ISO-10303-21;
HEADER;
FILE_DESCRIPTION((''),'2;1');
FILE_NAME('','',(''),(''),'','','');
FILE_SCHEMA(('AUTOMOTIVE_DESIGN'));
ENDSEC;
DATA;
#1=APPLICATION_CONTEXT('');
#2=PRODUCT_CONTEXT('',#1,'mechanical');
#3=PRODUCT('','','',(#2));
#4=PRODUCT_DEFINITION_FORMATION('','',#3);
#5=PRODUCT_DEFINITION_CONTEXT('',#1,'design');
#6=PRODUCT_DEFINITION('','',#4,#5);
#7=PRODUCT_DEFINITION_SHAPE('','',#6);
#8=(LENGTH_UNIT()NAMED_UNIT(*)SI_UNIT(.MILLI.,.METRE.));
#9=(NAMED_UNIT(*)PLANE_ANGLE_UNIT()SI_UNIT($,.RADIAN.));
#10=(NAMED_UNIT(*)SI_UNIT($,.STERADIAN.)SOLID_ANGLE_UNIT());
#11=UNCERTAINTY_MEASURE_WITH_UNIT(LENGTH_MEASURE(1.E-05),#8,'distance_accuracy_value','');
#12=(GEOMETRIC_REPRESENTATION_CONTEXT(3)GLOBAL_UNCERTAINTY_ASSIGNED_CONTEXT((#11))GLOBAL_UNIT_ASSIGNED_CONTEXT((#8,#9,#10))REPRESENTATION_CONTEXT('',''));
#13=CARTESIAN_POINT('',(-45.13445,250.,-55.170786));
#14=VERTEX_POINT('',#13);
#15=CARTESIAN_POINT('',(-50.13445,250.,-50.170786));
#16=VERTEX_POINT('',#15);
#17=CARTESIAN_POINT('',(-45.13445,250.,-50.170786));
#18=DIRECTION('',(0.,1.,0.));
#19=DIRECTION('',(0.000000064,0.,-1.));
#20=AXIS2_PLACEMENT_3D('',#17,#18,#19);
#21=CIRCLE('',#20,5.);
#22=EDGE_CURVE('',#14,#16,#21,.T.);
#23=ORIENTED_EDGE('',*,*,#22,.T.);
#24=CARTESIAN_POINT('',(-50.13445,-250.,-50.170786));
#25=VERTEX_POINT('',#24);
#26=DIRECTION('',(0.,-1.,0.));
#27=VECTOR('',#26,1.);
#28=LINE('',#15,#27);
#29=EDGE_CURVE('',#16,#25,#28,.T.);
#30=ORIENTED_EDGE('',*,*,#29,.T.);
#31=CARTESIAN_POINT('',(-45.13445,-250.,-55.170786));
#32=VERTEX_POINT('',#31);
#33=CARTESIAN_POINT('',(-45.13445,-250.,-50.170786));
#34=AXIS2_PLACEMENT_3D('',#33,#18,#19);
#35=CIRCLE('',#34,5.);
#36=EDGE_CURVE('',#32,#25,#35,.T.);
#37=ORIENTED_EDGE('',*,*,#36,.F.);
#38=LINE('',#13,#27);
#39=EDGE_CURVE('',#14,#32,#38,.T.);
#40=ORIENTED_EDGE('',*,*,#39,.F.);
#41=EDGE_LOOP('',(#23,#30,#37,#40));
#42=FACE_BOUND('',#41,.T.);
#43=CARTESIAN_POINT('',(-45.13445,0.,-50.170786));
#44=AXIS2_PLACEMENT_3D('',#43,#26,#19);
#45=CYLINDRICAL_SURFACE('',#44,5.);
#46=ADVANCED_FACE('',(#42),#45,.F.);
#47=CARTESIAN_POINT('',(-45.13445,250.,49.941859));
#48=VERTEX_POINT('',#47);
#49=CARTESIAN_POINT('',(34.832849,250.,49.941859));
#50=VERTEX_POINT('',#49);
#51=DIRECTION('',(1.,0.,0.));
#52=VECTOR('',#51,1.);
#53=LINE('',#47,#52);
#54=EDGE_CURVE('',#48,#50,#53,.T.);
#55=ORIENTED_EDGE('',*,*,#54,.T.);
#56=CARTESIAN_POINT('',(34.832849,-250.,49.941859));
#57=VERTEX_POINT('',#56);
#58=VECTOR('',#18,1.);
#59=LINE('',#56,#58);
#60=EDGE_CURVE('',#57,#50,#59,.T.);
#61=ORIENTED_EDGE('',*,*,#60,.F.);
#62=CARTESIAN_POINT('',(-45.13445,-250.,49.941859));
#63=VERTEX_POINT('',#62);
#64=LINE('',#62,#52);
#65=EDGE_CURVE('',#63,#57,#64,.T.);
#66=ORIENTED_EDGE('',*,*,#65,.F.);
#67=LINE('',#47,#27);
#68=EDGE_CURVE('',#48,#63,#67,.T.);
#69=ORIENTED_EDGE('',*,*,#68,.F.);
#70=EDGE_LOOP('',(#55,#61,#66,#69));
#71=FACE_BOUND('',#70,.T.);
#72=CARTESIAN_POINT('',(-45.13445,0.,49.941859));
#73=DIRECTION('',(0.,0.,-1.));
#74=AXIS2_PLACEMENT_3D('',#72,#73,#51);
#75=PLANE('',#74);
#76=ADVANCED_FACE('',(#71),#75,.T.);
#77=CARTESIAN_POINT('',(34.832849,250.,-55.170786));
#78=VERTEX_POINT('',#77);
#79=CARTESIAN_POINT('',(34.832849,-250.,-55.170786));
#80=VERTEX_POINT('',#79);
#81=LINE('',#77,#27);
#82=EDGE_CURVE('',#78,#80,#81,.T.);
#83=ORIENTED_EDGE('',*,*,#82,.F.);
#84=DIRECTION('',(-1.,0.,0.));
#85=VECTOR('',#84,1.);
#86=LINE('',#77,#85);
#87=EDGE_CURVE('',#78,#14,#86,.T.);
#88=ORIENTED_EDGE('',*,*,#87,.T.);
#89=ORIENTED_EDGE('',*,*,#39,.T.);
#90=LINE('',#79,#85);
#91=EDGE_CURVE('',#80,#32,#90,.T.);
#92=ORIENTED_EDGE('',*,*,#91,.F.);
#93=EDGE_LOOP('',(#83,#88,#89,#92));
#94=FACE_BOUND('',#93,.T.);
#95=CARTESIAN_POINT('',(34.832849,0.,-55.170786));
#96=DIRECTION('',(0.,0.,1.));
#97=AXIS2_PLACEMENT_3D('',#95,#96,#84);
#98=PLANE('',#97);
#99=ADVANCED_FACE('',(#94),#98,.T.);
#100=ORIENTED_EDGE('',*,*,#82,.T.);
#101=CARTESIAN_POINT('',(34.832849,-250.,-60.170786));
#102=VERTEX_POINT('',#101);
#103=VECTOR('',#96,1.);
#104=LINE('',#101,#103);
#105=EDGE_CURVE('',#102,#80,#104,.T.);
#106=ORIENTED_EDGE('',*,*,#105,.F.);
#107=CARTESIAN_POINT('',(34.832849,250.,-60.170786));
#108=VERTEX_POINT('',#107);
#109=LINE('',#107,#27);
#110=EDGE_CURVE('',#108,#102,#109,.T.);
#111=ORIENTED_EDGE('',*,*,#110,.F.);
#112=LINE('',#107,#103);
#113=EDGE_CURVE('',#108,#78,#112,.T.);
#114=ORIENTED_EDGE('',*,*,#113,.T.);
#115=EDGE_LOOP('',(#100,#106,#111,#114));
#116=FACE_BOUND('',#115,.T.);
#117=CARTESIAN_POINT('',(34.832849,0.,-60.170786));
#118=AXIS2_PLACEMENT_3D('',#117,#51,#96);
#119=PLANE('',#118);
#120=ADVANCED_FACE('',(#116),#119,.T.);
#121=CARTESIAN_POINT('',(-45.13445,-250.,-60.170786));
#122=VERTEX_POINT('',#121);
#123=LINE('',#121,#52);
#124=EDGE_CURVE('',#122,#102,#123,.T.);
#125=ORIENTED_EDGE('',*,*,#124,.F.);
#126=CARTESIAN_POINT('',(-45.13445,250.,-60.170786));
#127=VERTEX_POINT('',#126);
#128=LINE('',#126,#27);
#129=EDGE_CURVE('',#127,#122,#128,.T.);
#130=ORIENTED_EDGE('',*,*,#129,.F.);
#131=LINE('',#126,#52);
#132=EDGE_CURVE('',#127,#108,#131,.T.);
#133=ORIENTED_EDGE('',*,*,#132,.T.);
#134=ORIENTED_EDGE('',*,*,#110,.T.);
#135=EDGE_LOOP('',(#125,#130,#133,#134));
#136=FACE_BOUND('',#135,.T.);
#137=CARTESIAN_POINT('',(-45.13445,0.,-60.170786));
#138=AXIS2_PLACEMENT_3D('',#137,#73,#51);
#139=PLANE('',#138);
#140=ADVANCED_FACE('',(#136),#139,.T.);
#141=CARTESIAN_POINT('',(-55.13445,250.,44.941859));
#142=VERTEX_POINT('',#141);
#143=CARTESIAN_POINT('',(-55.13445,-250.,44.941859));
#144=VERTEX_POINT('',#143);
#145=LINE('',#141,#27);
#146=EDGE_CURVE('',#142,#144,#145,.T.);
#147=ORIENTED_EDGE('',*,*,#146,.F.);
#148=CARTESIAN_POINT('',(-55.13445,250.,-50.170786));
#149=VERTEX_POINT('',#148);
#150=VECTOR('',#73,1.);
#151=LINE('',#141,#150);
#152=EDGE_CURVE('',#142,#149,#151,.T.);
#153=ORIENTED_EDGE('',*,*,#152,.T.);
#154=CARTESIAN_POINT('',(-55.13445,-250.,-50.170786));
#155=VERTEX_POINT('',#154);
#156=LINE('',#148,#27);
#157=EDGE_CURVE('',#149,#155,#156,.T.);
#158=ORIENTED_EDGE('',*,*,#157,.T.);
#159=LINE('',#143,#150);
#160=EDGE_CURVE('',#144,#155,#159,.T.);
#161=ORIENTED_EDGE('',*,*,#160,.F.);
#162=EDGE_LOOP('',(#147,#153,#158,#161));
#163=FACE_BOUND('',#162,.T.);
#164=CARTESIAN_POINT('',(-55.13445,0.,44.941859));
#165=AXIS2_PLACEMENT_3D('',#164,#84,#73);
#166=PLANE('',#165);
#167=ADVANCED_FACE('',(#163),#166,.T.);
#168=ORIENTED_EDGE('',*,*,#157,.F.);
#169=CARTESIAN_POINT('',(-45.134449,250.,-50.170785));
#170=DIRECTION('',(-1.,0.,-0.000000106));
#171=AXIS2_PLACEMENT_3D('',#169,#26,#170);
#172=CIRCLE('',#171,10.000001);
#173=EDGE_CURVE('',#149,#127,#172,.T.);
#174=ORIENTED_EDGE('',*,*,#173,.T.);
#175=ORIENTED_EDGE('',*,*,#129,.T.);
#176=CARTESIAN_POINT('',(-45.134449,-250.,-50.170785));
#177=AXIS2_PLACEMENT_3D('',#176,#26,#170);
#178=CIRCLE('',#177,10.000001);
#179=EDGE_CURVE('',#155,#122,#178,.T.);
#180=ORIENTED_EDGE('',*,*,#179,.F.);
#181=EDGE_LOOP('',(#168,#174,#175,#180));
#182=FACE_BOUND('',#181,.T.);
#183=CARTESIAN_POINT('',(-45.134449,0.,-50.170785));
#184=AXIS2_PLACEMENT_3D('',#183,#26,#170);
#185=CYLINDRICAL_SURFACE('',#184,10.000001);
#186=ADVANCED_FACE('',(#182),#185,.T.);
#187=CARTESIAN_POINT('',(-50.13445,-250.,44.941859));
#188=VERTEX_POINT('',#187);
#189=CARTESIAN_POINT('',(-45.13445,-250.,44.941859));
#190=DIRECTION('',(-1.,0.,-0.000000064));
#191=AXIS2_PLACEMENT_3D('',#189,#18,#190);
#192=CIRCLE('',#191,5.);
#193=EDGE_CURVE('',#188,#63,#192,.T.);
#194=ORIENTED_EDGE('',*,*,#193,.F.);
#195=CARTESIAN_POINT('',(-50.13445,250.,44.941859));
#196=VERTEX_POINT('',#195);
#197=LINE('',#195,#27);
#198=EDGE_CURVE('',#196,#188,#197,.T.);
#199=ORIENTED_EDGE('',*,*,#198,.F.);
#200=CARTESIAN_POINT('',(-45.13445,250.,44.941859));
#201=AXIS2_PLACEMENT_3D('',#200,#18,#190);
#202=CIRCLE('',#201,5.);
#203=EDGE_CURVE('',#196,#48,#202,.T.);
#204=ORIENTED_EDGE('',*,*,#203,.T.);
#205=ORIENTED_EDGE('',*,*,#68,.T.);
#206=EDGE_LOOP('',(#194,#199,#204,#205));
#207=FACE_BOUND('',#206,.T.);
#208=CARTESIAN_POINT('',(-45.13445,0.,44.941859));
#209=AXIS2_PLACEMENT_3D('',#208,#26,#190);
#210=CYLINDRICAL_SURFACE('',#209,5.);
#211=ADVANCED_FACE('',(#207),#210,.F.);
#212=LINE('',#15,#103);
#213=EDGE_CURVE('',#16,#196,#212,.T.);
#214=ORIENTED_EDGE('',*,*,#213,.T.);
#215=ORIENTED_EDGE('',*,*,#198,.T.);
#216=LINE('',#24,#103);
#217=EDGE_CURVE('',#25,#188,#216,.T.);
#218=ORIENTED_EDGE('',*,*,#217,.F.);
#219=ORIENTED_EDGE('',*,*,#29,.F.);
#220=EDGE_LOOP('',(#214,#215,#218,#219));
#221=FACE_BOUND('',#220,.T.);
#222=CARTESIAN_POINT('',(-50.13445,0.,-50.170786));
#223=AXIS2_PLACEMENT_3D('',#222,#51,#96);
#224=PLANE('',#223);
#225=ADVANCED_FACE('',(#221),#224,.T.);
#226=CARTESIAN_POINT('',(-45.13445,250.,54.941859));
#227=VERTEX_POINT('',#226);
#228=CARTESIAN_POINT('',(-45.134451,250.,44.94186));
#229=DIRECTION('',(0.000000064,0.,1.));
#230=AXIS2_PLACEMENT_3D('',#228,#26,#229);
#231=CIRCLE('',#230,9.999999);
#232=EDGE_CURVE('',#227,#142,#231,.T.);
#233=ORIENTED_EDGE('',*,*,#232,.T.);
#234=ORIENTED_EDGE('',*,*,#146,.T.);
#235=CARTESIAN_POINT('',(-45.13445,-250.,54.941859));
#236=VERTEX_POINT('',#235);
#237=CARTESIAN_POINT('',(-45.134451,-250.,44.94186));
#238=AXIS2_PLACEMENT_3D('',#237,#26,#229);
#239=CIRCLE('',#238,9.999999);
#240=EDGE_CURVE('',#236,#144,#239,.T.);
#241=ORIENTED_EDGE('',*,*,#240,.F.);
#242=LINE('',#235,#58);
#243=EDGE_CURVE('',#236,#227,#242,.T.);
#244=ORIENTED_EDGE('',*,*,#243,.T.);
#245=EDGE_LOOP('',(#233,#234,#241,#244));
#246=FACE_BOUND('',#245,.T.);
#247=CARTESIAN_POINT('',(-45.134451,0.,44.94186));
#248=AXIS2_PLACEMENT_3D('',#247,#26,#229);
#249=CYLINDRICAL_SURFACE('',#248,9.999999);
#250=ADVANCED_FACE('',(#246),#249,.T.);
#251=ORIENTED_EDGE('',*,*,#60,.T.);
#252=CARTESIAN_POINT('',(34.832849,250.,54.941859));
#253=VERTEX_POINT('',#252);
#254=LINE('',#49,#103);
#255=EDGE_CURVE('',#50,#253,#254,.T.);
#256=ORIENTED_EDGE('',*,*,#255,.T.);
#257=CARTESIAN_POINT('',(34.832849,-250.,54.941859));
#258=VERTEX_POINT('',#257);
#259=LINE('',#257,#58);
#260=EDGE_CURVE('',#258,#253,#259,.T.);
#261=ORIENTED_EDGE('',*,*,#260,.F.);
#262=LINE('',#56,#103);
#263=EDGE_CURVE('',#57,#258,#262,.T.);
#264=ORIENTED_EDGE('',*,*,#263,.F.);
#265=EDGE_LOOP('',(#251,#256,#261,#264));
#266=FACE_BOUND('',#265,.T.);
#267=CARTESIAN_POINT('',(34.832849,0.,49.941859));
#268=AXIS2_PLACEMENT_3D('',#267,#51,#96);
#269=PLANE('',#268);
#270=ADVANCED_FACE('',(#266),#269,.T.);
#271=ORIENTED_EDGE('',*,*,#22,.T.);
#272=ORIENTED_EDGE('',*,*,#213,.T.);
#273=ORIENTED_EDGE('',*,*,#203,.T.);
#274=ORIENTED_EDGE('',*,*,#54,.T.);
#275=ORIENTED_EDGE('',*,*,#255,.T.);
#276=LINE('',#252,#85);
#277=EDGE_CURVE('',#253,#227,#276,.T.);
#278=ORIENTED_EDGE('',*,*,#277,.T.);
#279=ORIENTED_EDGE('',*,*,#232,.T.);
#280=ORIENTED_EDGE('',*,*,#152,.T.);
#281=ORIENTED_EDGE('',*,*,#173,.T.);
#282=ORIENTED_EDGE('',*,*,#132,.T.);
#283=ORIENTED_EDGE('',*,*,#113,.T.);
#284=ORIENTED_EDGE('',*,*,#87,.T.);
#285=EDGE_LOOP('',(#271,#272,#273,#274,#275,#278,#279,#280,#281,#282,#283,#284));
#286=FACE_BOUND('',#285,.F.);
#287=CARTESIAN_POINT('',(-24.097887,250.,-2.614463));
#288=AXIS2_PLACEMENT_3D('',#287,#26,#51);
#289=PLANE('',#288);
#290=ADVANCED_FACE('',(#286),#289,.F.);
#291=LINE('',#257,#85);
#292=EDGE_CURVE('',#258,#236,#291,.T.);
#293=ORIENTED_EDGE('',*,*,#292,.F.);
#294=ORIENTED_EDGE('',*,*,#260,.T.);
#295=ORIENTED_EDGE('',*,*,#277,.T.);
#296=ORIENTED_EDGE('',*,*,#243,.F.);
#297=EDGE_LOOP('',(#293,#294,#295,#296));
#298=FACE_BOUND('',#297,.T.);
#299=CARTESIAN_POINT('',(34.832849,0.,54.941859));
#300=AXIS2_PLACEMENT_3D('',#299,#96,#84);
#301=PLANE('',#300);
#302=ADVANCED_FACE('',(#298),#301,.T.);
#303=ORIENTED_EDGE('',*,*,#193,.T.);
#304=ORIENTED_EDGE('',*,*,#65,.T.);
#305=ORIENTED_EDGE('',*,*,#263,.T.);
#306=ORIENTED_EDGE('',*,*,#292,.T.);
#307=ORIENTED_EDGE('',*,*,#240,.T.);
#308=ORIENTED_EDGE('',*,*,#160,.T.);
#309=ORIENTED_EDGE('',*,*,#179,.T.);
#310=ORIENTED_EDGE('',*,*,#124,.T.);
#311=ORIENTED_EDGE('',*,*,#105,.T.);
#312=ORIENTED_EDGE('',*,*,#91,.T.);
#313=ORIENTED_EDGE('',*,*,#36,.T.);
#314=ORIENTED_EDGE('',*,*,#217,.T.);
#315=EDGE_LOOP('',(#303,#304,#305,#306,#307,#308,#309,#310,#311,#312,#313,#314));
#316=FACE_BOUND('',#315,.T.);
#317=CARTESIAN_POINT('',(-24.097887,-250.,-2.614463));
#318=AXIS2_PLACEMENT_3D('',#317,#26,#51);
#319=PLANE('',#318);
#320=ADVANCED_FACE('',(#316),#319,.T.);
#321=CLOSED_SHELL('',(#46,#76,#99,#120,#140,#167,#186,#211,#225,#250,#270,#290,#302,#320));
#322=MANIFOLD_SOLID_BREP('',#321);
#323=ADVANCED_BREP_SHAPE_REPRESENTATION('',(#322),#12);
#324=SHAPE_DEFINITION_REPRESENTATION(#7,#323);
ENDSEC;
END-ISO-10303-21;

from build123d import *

# Parameters (mm, degrees)
F1_DEPTH = 250


with BuildPart() as f1:
    # F0 (on Front) → F1 (new body, symmetric)
    with BuildSketch(Plane.XZ):
        with BuildLine():
            ThreePointArc((-45.13445, 54.941859), (-52.205518, 52.012927), (-55.13445, 44.941859))
            Line((-55.13445, 44.941859), (-55.13445, -50.170786))
            ThreePointArc((-55.13445, -50.170786), (-52.205518, -57.241853), (-45.13445, -60.170786))
            Line((-45.13445, -60.170786), (34.832849, -60.170786))
            Line((34.832849, -60.170786), (34.832849, -55.170786))
            Line((34.832849, -55.170786), (-45.13445, -55.170786))
            ThreePointArc((-45.13445, -55.170786), (-48.669984, -53.70632), (-50.13445, -50.170786))
            Line((-50.13445, -50.170786), (-50.13445, 44.941859))
            ThreePointArc((-50.13445, 44.941859), (-48.669984, 48.477393), (-45.13445, 49.941859))
            Line((-45.13445, 49.941859), (34.832849, 49.941859))
            Line((34.832849, 49.941859), (34.832849, 54.941859))
            Line((34.832849, 54.941859), (-45.13445, 54.941859))
        make_face()
    extrude(amount=F1_DEPTH, both=True)


solid = f1.part
